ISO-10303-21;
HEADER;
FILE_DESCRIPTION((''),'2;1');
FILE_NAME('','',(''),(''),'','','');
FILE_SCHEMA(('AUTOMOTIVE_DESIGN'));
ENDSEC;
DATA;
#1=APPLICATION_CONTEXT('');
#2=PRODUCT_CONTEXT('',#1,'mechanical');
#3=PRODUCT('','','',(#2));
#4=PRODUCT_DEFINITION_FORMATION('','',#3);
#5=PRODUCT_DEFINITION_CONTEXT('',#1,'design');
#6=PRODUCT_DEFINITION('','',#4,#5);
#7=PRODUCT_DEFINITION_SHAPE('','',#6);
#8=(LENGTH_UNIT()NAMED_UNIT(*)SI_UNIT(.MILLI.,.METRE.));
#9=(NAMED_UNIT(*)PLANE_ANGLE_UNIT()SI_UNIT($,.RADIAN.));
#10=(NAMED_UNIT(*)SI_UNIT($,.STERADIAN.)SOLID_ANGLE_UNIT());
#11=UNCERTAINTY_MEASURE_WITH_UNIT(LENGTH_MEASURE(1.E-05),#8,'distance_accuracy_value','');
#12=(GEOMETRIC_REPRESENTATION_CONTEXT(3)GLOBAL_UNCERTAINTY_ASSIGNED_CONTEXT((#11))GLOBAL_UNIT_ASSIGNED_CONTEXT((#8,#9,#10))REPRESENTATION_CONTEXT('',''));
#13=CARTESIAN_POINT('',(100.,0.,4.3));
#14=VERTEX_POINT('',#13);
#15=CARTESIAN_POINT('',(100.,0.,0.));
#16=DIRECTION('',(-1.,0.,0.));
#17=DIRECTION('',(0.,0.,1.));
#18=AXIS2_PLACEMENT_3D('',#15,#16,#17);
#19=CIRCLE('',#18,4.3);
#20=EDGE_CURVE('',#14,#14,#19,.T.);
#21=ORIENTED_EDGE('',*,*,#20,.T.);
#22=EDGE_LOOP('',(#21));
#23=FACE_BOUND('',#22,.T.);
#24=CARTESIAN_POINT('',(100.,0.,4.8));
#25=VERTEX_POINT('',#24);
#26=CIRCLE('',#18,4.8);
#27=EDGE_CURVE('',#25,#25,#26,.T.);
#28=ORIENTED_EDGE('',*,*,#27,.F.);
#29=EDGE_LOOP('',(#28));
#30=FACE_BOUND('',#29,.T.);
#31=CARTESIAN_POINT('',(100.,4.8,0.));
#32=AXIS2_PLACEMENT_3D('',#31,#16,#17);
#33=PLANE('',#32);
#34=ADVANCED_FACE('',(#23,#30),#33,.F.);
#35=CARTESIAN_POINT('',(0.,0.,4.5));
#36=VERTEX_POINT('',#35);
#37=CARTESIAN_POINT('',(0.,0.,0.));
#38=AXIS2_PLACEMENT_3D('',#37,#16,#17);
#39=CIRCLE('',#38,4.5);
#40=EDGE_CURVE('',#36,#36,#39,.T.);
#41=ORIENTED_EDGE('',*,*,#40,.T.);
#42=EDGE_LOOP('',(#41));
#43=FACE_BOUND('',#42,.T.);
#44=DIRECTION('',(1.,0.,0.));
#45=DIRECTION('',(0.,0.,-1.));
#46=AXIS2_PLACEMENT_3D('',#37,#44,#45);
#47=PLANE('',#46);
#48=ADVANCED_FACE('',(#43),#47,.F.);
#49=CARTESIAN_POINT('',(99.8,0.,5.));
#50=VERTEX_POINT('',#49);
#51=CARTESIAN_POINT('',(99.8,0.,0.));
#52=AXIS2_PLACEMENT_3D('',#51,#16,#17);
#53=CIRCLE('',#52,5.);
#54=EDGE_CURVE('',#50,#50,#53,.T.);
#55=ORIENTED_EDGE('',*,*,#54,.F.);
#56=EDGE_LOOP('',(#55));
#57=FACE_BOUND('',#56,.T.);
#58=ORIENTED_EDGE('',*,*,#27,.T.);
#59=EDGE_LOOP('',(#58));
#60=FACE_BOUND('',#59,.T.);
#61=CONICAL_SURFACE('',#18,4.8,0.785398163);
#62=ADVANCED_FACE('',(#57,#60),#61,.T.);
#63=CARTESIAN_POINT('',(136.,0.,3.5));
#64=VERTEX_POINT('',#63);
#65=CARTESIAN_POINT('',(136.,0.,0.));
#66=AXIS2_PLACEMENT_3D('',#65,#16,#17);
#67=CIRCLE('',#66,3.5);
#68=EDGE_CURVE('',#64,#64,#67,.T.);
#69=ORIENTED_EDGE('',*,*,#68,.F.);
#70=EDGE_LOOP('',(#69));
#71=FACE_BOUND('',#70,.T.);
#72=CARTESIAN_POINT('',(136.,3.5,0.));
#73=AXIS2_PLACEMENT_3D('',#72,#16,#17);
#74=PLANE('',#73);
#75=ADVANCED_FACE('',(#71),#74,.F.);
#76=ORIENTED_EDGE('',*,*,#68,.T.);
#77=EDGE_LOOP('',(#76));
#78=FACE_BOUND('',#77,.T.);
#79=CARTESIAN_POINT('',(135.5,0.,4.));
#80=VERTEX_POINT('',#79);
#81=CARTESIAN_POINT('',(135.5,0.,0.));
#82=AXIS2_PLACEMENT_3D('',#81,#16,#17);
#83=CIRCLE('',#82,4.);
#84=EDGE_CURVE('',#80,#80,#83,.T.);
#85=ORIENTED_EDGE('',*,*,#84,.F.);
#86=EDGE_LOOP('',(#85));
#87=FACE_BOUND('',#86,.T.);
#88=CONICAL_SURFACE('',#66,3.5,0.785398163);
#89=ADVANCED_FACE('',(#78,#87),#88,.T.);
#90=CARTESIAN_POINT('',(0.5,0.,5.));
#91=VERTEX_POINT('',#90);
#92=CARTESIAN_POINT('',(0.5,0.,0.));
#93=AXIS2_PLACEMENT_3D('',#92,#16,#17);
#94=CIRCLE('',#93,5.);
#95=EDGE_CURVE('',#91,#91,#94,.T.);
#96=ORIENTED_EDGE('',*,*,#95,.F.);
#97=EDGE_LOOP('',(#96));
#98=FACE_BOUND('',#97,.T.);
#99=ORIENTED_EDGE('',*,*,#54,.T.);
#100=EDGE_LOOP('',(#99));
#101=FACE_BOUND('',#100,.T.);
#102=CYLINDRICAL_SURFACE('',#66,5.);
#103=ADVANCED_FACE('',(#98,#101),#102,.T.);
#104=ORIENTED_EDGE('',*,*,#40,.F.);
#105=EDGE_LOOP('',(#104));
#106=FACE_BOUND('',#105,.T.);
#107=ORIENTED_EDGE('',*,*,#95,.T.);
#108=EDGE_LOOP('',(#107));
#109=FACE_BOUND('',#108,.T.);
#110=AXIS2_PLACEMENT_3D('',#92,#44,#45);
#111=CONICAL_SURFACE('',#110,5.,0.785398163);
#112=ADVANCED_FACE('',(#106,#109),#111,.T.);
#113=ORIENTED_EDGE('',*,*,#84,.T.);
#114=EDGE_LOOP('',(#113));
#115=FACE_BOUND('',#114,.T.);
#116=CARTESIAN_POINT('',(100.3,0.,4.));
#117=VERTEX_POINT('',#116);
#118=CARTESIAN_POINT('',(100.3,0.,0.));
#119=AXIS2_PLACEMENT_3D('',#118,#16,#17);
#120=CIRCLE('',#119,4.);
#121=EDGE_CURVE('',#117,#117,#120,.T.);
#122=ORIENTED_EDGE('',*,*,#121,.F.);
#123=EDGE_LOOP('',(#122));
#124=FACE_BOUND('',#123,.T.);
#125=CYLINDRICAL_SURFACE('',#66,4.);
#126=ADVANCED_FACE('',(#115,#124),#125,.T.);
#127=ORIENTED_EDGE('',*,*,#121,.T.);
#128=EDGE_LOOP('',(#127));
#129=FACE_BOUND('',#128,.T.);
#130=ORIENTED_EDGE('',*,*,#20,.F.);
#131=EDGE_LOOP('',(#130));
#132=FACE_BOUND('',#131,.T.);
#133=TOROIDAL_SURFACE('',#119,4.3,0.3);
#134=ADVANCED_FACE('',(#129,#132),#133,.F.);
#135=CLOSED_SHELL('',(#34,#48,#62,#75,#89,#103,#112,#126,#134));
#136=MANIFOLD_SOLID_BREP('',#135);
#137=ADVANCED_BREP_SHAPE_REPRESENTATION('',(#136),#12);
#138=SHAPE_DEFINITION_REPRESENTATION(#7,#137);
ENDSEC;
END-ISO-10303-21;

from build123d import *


with BuildPart() as part:
    # Sketch1 → Revolve1 (revolve)
    with BuildSketch(Plane.XY, mode=Mode.PRIVATE) as revolve1_sk:
        with BuildLine():
            Line((0, 0), (0, 4.5))
            Line((0, 4.5), (0.5, 5))
            Line((0.5, 5), (99.8, 5))
            Line((99.8, 5), (100, 4.8))
            Line((100, 4.8), (100, 4.3))
            ThreePointArc((100, 4.3), (100.087867966, 4.087867966), (100.3, 4))
            Line((100.3, 4), (135.5, 4))
            Line((135.5, 4), (136, 3.5))
            Line((136, 3.5), (136, 0))
            Line((136, 0), (0, 0))
        make_face()
    revolve(revolve1_sk.sketch.rotate(Axis((136, 0, 0), (-1, 0, 0)), 270), axis=Axis((136, 0, 0), (-1, 0, 0)))


solid = part.part
